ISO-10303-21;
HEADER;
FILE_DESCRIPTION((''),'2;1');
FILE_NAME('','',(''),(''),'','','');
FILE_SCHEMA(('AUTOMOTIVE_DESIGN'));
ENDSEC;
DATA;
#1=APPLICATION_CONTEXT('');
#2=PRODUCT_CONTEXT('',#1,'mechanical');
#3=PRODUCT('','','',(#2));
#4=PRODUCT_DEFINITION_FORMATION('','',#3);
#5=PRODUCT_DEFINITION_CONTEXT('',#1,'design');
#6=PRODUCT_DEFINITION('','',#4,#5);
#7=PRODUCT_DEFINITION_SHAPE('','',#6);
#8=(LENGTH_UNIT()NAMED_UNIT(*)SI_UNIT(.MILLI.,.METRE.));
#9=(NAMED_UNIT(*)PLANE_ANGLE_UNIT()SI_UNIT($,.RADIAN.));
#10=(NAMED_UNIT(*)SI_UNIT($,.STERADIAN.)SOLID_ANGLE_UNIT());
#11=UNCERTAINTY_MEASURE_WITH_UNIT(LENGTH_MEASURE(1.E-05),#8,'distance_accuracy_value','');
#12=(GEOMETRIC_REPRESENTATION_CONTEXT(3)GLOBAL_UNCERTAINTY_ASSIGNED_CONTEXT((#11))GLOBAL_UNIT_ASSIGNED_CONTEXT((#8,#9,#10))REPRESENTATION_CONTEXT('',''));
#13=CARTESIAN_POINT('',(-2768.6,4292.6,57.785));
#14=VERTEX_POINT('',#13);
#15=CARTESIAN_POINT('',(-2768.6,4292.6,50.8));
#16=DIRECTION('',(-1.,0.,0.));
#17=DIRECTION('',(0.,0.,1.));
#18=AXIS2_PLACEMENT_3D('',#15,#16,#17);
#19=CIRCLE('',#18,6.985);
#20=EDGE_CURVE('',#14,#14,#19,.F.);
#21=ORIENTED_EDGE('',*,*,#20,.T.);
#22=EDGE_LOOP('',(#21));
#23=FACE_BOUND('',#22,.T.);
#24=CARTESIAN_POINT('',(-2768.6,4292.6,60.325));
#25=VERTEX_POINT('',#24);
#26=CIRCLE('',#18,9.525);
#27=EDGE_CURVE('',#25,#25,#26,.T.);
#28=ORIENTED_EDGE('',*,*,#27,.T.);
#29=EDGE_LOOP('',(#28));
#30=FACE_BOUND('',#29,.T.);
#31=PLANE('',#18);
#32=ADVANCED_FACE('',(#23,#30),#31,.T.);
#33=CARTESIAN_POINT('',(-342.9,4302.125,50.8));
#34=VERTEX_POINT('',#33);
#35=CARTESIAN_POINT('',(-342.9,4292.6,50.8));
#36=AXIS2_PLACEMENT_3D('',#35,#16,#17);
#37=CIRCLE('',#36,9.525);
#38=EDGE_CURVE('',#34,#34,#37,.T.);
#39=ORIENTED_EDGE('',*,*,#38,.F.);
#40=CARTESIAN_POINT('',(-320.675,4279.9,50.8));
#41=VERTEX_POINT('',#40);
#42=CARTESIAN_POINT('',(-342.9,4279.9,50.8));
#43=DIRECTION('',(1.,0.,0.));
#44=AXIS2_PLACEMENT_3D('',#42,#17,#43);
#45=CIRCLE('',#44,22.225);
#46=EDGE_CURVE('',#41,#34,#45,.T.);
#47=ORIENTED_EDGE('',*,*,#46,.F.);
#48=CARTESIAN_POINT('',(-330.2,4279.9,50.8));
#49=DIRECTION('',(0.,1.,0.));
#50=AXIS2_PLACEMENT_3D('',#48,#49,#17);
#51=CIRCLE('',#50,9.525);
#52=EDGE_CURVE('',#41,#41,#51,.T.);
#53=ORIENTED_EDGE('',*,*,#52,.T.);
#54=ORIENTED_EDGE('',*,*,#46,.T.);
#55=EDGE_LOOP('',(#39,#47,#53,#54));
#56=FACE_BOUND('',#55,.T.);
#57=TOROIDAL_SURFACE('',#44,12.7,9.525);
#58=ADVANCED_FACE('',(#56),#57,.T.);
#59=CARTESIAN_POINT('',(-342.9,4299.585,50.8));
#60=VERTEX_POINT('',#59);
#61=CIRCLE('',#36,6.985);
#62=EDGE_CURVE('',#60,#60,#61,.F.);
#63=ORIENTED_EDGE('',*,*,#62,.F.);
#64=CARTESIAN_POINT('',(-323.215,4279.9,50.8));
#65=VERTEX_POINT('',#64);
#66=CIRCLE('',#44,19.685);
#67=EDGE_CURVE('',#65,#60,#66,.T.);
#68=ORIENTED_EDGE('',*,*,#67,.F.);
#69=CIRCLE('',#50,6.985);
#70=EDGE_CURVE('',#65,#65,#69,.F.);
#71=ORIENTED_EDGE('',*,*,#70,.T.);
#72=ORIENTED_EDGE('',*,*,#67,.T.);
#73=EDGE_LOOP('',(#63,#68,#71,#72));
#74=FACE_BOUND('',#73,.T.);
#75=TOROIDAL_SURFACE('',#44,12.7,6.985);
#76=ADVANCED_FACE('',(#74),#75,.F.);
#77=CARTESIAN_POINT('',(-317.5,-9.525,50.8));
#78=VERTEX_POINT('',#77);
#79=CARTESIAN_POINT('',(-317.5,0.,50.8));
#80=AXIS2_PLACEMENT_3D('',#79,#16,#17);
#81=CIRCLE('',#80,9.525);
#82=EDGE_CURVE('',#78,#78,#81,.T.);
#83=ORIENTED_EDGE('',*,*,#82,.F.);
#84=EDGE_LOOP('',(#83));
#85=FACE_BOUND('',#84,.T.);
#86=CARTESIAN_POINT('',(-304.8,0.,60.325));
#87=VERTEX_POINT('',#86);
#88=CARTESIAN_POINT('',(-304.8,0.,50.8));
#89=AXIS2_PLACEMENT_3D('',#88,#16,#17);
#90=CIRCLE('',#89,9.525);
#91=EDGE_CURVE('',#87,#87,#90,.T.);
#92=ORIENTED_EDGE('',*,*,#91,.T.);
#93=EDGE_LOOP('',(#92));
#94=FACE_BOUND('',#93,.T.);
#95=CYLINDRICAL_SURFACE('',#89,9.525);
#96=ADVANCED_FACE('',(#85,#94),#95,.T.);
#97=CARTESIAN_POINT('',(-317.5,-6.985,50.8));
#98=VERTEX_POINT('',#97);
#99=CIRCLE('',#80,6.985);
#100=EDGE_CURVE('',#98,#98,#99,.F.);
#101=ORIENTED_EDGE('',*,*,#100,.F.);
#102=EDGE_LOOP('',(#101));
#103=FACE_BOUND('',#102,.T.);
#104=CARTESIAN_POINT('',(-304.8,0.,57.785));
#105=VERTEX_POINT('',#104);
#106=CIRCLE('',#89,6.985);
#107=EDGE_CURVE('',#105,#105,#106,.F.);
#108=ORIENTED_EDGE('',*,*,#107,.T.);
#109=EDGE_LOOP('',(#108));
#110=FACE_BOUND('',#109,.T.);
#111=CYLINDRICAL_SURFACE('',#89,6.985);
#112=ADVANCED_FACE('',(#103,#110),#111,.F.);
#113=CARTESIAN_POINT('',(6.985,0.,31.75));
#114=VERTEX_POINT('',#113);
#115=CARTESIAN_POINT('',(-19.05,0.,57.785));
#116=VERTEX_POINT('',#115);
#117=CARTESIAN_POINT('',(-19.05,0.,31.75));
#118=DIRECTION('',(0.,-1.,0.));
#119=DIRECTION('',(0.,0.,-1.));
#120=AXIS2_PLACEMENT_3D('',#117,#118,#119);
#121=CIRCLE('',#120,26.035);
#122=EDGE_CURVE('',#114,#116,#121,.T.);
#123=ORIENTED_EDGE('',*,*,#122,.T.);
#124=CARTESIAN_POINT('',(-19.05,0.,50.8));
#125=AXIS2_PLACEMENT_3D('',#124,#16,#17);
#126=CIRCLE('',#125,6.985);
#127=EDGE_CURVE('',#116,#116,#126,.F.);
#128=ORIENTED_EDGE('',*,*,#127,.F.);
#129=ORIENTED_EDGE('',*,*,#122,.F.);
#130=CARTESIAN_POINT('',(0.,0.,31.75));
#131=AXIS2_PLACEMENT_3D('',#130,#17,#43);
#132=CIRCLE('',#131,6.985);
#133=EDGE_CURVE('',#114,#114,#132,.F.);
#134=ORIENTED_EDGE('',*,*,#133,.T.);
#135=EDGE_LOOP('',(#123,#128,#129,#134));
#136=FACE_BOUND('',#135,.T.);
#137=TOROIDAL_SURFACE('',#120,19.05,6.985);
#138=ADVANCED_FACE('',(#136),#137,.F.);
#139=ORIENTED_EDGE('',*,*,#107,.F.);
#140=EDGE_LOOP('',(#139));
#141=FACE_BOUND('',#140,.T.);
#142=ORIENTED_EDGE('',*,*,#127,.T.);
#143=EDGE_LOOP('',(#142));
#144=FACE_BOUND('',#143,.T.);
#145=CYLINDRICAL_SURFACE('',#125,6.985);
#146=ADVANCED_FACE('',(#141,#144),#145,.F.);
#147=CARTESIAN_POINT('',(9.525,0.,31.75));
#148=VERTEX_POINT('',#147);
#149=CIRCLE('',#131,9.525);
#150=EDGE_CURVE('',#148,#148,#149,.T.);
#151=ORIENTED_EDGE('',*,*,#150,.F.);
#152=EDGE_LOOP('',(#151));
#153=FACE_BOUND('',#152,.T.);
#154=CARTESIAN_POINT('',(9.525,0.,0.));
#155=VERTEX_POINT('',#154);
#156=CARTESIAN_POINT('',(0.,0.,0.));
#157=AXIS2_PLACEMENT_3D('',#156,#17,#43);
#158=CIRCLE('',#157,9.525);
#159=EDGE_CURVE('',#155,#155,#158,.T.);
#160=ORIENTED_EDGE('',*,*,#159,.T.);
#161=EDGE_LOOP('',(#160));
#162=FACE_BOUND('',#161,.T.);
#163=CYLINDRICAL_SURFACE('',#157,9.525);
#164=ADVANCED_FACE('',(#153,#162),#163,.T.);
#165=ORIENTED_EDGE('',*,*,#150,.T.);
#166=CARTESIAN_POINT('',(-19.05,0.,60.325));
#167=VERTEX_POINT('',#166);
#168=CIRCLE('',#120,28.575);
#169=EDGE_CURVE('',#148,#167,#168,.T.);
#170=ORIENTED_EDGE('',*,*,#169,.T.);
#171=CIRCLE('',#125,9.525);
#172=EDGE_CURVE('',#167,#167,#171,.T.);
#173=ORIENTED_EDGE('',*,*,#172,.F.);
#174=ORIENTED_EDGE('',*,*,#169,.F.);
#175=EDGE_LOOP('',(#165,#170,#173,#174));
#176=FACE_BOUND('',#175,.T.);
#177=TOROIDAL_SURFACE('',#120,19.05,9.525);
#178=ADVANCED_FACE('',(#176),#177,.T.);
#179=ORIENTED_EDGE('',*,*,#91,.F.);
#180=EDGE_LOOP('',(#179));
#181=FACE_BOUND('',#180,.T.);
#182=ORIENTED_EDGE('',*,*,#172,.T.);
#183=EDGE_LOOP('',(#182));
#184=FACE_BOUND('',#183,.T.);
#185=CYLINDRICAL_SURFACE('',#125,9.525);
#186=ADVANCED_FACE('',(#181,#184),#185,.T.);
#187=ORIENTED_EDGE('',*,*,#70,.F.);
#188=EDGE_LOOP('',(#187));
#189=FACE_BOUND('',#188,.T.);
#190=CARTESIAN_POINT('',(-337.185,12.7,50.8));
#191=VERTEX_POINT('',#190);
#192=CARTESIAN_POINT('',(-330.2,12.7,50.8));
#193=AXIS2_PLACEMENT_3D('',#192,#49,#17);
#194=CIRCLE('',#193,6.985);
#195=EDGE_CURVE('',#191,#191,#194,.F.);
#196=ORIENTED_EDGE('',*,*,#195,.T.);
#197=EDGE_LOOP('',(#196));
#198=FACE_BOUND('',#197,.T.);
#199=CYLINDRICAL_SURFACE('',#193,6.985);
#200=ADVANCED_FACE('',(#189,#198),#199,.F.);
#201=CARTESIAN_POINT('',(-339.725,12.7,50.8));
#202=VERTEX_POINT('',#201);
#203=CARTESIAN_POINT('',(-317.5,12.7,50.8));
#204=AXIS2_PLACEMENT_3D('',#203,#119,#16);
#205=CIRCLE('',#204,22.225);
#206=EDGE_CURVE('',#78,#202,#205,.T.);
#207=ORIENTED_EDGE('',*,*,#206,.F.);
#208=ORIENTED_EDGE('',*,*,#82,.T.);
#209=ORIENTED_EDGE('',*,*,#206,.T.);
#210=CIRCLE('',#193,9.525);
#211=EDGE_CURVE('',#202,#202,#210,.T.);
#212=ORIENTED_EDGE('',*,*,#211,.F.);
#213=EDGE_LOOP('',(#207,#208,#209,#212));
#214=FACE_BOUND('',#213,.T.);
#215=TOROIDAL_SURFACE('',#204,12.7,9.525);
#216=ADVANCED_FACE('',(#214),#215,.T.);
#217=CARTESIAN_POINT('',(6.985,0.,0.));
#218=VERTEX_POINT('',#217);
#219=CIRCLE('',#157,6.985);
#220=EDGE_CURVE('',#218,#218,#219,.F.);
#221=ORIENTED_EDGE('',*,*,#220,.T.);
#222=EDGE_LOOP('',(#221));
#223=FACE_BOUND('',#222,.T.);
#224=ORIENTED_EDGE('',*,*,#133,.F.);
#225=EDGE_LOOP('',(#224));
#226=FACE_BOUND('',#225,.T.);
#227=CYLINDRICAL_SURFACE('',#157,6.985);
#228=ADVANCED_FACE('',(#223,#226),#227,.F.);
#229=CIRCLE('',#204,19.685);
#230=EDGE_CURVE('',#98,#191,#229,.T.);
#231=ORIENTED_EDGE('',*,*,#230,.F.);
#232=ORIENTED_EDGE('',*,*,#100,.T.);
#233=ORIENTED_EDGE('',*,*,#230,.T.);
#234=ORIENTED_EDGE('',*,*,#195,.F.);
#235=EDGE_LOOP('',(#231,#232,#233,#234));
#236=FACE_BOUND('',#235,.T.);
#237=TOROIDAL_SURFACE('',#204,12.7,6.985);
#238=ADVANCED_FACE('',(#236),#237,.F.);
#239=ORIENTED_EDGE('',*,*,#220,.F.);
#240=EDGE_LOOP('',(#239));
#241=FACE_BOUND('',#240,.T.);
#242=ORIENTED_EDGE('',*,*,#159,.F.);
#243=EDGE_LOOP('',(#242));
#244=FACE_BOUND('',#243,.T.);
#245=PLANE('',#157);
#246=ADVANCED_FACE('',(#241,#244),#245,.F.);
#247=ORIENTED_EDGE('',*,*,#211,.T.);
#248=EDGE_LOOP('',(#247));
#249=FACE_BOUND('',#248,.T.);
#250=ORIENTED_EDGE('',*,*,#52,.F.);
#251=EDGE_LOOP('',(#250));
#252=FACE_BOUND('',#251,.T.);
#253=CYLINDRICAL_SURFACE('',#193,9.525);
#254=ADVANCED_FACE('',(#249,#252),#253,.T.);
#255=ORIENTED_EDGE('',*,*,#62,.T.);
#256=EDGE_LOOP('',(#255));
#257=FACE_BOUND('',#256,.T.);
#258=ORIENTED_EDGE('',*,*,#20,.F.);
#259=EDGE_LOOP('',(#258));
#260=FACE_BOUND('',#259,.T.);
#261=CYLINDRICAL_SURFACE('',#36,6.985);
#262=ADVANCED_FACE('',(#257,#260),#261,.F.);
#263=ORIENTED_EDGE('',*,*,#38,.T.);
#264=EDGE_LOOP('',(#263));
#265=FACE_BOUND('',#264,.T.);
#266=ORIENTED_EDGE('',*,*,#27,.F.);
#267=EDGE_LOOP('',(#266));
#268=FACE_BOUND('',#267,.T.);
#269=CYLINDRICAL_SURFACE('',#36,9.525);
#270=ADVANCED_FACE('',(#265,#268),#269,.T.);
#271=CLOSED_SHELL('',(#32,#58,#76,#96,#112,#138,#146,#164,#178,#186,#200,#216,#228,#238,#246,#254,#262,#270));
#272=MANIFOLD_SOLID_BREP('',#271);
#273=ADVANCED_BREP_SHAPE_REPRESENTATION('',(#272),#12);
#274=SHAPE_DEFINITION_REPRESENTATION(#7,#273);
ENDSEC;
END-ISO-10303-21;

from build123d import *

# Parameters (mm, degrees)
SKETCH1_R   = 9.525
SKETCH1_R_2 = 6.985


with BuildPart() as part:
    # Sweep1: sweep along a curve in space
    with BuildLine() as sweep1_path:
        Line((0, 0, 0), (0, 0, 31.75))
        ThreePointArc((0, 0, 31.75), (-5.579615818, 0, 45.220384182), (-19.05, 0, 50.8))
        Line((-19.05, 0, 50.8), (-304.8, 0, 50.8))
        Line((-304.8, 0, 50.8), (-317.5, 0, 50.8))
        ThreePointArc((-317.5, 0, 50.8), (-326.480256121, 3.719743879, 50.8), (-330.2, 12.7, 50.8))
        Line((-330.2, 12.7, 50.8), (-330.2, 4279.9, 50.8))
        ThreePointArc((-330.2, 4279.9, 50.8), (-333.919743879, 4288.880256121, 50.8), (-342.9, 4292.6, 50.8))
        Line((-342.9, 4292.6, 50.8), (-2768.6, 4292.6, 50.8))
    # Sketch1 → Sweep1 (sweep)
    with BuildSketch(Plane.XY):
        Circle(SKETCH1_R)
        Circle(SKETCH1_R_2, mode=Mode.SUBTRACT)
    sweep(path=sweep1_path.line)


solid = part.part
